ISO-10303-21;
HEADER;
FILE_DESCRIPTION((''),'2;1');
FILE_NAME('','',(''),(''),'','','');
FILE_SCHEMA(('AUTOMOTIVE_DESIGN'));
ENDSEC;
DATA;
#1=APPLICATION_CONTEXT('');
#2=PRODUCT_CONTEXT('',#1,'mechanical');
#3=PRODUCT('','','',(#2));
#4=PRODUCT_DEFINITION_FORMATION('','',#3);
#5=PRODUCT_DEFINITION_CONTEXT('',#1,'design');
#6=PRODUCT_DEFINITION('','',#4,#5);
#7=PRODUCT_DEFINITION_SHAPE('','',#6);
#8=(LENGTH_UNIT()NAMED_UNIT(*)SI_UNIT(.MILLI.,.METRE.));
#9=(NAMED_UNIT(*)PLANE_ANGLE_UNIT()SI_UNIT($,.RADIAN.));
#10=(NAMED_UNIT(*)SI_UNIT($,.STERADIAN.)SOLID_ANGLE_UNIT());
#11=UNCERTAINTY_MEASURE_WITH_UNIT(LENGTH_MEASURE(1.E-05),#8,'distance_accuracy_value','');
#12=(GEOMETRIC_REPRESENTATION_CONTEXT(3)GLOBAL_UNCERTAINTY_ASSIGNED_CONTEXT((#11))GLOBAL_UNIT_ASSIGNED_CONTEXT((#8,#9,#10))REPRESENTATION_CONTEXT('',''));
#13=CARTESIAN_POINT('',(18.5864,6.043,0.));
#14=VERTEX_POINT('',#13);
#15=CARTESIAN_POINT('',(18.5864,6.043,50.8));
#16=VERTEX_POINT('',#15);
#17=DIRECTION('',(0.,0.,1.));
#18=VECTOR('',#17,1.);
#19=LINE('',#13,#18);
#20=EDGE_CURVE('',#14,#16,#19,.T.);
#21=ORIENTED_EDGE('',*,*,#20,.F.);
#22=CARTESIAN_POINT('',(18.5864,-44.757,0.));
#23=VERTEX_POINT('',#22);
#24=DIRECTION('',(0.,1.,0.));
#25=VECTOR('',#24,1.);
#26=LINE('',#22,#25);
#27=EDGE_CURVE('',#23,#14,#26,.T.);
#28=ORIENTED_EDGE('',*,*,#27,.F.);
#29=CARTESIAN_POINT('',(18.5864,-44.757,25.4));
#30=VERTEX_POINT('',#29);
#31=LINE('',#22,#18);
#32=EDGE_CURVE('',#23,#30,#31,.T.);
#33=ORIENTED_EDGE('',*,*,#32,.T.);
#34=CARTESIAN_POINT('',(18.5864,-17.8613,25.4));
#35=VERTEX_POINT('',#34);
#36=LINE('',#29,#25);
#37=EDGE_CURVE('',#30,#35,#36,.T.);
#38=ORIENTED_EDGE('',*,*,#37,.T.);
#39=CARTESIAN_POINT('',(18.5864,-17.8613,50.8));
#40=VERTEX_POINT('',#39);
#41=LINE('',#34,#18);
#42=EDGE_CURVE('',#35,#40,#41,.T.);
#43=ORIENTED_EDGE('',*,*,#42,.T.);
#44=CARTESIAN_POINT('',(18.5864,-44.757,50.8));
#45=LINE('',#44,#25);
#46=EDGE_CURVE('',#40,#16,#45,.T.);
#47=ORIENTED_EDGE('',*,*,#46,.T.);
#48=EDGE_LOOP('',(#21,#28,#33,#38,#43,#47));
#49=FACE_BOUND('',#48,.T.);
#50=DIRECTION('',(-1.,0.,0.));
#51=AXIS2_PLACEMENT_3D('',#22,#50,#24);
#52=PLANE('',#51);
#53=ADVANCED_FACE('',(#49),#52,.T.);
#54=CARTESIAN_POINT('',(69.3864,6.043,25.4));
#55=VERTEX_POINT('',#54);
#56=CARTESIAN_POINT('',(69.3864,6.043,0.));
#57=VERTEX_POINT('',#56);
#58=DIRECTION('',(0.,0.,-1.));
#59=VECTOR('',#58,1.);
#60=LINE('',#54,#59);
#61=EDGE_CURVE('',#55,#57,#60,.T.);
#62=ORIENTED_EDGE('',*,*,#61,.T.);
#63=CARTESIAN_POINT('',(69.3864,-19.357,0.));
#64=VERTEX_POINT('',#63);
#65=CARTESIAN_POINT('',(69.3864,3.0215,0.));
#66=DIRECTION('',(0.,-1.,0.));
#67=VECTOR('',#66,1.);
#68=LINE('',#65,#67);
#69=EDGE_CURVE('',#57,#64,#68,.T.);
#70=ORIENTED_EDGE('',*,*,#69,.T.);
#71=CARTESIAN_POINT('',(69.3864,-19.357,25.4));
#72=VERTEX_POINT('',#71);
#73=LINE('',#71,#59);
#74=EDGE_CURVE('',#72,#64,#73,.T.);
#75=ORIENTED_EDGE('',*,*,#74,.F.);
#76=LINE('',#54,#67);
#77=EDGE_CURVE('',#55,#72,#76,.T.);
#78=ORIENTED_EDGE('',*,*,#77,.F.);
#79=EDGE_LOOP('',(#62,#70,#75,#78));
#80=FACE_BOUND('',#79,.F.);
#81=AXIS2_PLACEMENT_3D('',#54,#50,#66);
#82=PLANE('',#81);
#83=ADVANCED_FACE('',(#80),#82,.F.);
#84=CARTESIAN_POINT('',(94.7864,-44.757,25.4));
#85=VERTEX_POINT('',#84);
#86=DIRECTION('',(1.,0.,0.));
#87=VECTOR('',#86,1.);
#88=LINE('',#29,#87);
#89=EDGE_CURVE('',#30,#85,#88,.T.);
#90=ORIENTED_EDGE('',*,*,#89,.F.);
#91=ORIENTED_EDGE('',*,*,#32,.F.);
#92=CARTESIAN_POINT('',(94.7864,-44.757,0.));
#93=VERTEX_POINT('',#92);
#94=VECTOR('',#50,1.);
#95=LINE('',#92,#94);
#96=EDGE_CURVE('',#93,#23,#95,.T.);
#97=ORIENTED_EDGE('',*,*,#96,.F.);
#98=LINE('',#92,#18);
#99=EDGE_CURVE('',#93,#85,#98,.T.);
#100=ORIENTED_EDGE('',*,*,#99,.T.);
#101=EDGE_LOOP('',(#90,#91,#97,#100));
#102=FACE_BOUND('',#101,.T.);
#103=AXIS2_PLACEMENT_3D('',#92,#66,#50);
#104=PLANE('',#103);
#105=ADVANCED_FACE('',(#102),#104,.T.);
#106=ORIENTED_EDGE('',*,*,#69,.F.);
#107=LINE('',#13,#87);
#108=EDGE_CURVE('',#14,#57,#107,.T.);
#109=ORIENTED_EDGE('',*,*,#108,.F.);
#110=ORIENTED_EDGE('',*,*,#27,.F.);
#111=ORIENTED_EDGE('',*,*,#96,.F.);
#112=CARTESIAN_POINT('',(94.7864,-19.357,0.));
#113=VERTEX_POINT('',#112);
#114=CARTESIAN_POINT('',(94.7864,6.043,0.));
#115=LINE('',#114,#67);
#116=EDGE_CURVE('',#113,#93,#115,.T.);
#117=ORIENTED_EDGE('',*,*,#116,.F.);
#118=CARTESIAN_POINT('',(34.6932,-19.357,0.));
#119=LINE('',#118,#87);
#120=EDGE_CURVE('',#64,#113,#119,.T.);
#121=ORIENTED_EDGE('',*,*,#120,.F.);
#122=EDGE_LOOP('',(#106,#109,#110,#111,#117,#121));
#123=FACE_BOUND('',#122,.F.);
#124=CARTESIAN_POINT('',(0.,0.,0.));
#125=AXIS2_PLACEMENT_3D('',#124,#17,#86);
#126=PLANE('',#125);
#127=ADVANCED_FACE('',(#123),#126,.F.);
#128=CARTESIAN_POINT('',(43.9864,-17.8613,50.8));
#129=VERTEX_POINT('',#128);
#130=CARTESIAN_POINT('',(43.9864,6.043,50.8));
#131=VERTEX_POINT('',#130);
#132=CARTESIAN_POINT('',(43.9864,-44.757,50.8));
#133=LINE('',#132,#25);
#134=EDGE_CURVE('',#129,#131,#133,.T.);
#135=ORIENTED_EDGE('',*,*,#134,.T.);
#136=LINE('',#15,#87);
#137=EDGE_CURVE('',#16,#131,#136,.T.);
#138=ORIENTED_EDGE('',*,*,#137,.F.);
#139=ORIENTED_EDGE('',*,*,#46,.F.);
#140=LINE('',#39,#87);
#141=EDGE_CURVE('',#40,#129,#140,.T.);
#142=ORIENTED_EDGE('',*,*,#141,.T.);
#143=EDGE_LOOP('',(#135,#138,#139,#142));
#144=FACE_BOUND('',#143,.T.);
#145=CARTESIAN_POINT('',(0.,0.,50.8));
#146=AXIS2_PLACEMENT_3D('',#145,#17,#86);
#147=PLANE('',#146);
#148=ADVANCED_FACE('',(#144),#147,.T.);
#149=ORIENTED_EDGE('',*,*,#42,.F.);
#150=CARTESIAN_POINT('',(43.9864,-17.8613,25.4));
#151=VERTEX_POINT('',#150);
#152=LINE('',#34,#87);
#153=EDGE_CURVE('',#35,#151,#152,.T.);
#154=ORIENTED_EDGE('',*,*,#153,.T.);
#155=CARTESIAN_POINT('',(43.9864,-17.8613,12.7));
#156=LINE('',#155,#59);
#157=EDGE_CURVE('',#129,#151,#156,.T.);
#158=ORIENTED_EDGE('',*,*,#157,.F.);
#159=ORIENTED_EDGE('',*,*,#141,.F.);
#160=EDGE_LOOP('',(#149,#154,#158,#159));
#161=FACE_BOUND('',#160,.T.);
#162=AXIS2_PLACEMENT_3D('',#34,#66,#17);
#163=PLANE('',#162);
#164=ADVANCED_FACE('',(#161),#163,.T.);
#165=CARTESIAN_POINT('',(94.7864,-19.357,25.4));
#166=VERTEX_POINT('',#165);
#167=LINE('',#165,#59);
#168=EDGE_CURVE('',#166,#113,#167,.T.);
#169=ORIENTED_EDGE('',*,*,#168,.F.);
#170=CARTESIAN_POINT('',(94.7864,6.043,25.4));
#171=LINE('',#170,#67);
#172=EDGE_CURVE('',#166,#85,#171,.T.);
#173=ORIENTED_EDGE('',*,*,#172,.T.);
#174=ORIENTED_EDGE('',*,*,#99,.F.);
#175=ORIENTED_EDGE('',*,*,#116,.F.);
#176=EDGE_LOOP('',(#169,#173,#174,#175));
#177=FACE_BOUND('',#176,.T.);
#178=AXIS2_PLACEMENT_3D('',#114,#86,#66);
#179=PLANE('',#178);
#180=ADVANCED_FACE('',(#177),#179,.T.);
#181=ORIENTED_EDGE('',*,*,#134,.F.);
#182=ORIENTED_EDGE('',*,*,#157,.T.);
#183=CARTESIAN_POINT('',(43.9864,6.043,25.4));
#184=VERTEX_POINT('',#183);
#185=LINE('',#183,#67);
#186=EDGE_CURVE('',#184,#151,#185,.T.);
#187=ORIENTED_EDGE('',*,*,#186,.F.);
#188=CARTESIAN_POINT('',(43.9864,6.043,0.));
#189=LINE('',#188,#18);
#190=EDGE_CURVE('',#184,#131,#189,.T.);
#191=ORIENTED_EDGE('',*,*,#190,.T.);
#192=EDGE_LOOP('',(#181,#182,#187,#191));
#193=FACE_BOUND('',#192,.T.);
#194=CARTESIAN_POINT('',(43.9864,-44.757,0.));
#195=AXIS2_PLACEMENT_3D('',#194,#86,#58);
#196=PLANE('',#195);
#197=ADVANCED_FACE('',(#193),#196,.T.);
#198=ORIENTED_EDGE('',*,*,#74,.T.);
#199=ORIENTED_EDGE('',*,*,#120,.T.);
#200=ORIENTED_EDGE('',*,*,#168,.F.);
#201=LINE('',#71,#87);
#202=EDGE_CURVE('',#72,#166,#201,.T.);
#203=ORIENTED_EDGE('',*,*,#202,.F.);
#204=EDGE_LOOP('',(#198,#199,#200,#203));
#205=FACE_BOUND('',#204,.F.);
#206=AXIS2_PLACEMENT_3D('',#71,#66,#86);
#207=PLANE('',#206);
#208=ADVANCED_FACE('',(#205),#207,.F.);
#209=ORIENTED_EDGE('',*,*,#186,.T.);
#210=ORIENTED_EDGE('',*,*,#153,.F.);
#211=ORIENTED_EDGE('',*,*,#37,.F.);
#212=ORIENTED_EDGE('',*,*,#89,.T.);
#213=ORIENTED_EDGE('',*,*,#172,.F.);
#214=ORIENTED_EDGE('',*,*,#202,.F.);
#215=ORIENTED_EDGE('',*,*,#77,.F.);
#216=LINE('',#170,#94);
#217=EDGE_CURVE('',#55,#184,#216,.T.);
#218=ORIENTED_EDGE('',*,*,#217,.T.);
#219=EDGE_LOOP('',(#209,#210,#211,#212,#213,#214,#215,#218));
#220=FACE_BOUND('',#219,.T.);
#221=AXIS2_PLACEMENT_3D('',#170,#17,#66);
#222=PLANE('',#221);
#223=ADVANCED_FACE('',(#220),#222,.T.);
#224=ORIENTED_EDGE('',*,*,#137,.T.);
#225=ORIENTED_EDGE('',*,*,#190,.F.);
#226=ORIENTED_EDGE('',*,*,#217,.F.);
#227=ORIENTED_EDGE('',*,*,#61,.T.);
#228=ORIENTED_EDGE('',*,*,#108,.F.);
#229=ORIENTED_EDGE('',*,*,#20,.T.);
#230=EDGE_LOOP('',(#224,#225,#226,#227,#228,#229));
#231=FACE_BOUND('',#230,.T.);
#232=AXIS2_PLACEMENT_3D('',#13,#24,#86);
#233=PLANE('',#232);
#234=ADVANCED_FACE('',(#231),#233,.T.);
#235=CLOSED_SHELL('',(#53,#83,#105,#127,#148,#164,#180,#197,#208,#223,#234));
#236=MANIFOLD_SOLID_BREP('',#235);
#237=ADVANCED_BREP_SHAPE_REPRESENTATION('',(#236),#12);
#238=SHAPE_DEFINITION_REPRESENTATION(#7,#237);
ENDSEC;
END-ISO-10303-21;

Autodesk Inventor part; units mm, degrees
ref_plane "YZ Plane" through (0, 0, 0) normal (1, 0, 0) x (0, 1, 0)
ref_plane "XZ Plane" through (0, 0, 0) normal (0, 1, 0) x (-1, 0, 0)
ref_plane "XY Plane" through (0, 0, 0) normal (0, 0, 1) x (1, 0, 0)
sketch "Sketch1" plane through (0, 0, 0) normal (0, 0, 1) x (1, 0, 0)
  line L0 (18.5864, 6.043) -> (94.7864, 6.043)
  line L1 (94.7864, 6.043) -> (94.7864, -44.757)
  line L2 (94.7864, -44.757) -> (18.5864, -44.757)
  line L3 (18.5864, -44.757) -> (18.5864, 6.043)
  point P0 (0, 0)
  dimension "d0" = 76.2
  dimension "d1" = 50.8
extrude "Extrusion1" add sketch "Sketch1" along normal blind 50.8
sketch "Sketch2" plane through (94.7864, -44.757, 0) normal (1, 0, 0) x (0, 0, -1)
  line L0 (0, 50.8) -> (-50.8, 50.8) projected
  line L1 (0, 0) -> (-50.8, 0) projected
  line L2 (-50.8, 50.8) -> (-25.4, 50.8)
  line L3 (-25.4, 50.8) -> (-25.4, 0)
  line L4 (-25.4, 0) -> (-50.8, 0)
  line L5 (-50.8, 0) -> (-50.8, 50.8)
  point P0 (0, 44.757)
  dimension "d4" = 25.4
extrude "Extrusion2" cut sketch "Sketch2" against normal blind 50.8
sketch "Sketch3" plane through (18.5864, -44.757, 0) normal (-1, 0, 0) x (0, 0, 1)
  point P0 (0, 44.757)
sketch "Sketch4" plane through (18.5864, -44.757, 0) normal (-1, 0, 0) x (0, 0, 1)
  line L0 (0, 0) -> (50.8, 0) projected
  line L1 (50.8, 0) -> (25.4, 0)
  line L2 (25.4, 0) -> (25.4, 26.8957)
  line L3 (25.4, 26.8957) -> (50.8, 26.8957)
  line L4 (50.8, 26.8957) -> (50.8, 0)
  point P0 (0, 44.757)
  dimension "d7" = 25.4
extrude "Extrusion3" cut sketch "Sketch4" against normal blind 50.8
sketch "Sketch5" plane through (94.7864, -44.757, 25.4) normal (0, 0, 1) x (1, 0, 0)
  line L0 (-50.8, 50.8) -> (0, 50.8) projected
  line L1 (0, 50.8) -> (-25.4, 50.8)
  line L2 (-25.4, 50.8) -> (-25.4, 25.4)
  line L3 (-25.4, 25.4) -> (0, 25.4)
  line L4 (0, 25.4) -> (0, 50.8)
  point P0 (-94.7864, 44.757)
  dimension "d10" = 25.4
  dimension "d11" = 25.4
extrude "Extrusion4" cut sketch "Sketch5" against normal blind 50.8
properties part number "Ied Final"
